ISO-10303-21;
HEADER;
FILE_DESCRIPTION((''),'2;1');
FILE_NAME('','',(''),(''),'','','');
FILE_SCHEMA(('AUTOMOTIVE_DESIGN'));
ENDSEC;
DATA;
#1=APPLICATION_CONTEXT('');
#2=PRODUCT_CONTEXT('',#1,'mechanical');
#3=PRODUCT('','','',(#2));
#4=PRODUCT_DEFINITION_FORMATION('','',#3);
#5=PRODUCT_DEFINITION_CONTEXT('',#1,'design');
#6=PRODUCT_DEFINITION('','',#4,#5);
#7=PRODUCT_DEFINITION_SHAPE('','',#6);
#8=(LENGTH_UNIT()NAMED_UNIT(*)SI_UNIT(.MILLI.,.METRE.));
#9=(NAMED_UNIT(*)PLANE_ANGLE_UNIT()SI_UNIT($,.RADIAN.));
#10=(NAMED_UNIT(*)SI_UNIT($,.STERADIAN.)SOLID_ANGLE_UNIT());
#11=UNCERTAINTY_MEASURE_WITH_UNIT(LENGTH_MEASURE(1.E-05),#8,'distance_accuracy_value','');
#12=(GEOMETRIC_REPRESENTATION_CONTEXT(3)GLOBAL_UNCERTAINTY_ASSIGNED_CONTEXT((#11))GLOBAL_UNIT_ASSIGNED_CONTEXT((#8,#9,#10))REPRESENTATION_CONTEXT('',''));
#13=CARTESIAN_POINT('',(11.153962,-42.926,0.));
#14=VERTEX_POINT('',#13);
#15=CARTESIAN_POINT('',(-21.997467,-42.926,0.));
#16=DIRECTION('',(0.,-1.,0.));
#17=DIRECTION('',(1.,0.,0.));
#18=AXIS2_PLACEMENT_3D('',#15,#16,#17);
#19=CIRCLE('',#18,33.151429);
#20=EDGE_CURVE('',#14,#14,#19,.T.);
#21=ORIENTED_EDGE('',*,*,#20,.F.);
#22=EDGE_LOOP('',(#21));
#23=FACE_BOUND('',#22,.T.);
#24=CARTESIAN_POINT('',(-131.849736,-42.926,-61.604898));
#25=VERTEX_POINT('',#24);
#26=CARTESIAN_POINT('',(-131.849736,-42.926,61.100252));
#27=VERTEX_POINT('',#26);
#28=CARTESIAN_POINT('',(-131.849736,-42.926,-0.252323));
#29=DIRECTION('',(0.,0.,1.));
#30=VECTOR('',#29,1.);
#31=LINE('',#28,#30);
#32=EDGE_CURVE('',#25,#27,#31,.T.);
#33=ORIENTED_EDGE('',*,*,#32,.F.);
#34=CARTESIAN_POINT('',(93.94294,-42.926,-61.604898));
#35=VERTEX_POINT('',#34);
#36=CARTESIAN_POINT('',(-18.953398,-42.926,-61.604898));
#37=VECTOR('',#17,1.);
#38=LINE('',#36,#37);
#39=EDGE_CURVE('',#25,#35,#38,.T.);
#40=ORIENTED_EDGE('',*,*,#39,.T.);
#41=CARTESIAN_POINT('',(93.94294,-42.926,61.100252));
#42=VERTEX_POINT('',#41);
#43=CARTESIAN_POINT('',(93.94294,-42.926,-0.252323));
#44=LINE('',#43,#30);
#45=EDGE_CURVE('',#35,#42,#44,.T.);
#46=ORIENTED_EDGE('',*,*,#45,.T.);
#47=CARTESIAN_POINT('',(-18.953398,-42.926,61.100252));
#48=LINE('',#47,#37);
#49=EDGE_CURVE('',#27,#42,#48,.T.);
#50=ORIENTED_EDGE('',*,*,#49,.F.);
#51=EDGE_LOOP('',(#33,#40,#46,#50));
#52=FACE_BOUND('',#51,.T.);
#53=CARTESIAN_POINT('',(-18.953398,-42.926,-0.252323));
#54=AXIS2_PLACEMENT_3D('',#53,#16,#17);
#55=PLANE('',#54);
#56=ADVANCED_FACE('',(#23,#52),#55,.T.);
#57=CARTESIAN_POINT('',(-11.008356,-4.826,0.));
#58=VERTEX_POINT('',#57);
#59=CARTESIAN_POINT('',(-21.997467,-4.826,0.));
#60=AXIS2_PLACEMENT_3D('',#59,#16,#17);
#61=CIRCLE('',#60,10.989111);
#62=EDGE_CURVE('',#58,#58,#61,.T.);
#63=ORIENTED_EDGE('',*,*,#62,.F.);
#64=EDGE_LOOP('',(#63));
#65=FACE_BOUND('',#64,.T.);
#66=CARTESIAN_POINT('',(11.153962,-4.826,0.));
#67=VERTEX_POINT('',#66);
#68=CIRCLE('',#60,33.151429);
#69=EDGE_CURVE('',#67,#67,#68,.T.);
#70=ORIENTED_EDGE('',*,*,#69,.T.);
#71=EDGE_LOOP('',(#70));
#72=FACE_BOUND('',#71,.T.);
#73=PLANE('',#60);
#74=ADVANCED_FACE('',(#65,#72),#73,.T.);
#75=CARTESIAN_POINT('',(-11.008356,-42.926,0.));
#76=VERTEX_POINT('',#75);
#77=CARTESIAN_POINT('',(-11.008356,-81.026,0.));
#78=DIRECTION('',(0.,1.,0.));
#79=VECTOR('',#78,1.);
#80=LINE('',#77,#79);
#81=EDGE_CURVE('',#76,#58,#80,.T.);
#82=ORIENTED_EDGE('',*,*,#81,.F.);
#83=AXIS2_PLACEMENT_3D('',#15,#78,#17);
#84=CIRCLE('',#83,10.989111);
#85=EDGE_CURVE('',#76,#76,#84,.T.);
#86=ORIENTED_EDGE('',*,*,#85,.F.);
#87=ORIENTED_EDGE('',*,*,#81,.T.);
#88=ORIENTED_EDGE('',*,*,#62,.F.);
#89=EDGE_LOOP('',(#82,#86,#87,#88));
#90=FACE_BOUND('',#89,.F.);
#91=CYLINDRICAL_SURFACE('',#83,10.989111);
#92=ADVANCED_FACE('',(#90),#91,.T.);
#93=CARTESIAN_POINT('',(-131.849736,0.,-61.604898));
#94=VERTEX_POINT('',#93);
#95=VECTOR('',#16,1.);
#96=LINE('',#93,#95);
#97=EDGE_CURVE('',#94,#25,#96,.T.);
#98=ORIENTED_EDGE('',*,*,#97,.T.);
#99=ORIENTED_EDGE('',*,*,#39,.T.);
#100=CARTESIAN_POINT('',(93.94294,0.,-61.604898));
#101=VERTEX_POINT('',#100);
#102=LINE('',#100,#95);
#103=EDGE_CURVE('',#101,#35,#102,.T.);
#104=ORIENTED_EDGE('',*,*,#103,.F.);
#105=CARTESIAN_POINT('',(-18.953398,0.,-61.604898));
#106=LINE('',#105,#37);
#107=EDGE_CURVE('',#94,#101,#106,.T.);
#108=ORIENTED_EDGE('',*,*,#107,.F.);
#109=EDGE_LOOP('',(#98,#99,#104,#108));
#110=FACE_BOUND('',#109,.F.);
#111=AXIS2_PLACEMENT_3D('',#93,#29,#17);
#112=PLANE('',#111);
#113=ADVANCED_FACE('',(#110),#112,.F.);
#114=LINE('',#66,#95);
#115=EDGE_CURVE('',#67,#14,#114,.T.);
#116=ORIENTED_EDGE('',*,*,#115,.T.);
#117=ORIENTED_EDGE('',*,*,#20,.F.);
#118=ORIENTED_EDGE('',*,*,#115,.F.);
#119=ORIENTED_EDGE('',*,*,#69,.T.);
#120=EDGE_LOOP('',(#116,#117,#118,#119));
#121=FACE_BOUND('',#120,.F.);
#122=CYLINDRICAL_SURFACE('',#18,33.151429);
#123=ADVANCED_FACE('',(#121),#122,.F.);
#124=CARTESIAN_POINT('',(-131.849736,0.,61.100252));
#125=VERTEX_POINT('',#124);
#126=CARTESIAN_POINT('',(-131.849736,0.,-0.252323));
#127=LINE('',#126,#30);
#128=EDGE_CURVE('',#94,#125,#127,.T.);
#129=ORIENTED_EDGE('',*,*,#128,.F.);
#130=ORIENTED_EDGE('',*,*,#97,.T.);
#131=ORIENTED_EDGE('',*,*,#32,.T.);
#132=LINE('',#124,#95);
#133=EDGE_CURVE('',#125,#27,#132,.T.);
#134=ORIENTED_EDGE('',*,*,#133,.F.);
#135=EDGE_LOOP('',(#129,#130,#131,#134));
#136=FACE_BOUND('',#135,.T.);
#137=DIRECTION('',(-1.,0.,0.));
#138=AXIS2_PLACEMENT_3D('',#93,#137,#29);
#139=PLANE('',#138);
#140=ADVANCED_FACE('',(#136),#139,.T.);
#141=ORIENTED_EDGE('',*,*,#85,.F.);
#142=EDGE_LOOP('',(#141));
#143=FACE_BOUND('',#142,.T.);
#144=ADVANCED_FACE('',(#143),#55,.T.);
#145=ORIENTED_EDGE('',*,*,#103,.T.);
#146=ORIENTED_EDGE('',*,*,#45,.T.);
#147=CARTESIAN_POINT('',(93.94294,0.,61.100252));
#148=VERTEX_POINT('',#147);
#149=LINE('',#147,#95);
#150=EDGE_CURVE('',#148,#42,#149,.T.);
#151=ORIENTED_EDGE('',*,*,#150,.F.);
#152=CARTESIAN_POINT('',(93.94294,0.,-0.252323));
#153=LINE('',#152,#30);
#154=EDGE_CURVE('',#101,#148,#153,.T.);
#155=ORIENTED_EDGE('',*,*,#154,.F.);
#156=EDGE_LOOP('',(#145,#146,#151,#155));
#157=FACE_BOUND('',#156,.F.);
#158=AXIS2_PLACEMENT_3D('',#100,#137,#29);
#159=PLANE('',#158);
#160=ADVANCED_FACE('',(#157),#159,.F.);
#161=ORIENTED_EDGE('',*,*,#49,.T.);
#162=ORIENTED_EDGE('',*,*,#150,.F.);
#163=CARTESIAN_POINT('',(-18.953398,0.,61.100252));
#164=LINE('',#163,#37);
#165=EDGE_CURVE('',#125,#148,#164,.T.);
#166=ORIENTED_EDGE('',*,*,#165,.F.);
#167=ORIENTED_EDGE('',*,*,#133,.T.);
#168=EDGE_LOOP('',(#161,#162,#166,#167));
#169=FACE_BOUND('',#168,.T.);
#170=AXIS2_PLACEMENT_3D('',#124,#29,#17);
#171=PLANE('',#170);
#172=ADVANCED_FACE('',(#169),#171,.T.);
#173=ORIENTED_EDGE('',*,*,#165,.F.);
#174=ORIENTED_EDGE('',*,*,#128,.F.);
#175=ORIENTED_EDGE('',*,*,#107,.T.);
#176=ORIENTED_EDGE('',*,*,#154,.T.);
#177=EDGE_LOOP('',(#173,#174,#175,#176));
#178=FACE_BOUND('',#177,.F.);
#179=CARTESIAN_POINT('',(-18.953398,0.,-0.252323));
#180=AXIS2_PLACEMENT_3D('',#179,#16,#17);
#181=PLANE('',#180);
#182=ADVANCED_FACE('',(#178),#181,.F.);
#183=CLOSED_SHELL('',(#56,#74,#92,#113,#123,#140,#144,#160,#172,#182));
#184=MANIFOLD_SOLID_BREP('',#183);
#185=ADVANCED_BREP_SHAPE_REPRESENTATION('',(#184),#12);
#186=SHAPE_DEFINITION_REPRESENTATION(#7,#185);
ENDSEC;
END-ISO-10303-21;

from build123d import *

# Parameters (mm, degrees)
F0_W     = 225.792676
F0_H     = 122.70515
F1_DEPTH = 42.926
F2_R     = 33.151429
F2_R_2   = 10.989111
F3_DEPTH = 38.1


with BuildPart() as f1:
    # F0 (on Front) → F1 (new body)
    with BuildSketch(Plane.XZ):
        with Locations((-18.953398, -0.252323)):
            Rectangle(F0_W, F0_H)
    extrude(amount=F1_DEPTH)

    # F2 (on face) → F3 (cut, symmetric)
    with BuildSketch(Plane.XZ.offset(42.926)):
        with Locations((-21.997467, 0)):
            Circle(F2_R)
        with Locations((-21.997467, 0)):
            Circle(F2_R_2, mode=Mode.SUBTRACT)
    extrude(amount=F3_DEPTH, both=True, mode=Mode.SUBTRACT)


solid = f1.part
